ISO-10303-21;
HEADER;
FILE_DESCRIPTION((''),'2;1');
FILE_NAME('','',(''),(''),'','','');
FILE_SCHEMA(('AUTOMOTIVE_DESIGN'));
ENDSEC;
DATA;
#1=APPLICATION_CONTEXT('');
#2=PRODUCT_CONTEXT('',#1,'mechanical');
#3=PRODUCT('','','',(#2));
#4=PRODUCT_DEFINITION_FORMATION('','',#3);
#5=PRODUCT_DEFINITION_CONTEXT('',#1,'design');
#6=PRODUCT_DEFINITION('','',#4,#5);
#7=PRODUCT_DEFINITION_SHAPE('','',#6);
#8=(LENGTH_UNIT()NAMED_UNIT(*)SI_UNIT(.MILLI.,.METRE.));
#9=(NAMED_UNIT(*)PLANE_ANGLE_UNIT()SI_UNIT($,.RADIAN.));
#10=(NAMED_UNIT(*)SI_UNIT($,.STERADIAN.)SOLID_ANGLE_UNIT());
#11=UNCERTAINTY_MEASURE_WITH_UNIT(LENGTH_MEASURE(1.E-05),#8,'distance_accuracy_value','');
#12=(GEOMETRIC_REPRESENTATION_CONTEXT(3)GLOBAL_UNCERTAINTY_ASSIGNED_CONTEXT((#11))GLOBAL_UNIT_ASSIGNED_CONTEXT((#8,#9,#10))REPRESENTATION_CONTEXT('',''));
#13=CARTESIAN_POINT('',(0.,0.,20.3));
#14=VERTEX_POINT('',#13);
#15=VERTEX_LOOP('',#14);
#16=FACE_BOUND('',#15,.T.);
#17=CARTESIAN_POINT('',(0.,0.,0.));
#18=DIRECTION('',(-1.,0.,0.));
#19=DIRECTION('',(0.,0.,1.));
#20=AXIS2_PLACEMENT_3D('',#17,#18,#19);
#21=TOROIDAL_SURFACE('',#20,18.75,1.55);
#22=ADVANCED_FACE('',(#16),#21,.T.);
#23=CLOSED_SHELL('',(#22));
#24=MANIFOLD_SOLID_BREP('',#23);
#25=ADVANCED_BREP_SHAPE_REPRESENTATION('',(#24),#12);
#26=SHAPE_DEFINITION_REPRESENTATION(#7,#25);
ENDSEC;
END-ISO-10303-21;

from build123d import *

# Parameters (mm, degrees)
SKETCH_1_R = 1.55


with BuildPart() as part:
    # 草图1 → 旋转1 (revolve)
    with BuildSketch(Plane.XY, mode=Mode.PRIVATE) as revolve_1_sk:
        with Locations((0, 18.75)):
            Circle(SKETCH_1_R)
    revolve(revolve_1_sk.sketch.rotate(Axis((0, 0, 0), (1, 0, 0)), 90), axis=Axis((0, 0, 0), (1, 0, 0)))


solid = part.part
